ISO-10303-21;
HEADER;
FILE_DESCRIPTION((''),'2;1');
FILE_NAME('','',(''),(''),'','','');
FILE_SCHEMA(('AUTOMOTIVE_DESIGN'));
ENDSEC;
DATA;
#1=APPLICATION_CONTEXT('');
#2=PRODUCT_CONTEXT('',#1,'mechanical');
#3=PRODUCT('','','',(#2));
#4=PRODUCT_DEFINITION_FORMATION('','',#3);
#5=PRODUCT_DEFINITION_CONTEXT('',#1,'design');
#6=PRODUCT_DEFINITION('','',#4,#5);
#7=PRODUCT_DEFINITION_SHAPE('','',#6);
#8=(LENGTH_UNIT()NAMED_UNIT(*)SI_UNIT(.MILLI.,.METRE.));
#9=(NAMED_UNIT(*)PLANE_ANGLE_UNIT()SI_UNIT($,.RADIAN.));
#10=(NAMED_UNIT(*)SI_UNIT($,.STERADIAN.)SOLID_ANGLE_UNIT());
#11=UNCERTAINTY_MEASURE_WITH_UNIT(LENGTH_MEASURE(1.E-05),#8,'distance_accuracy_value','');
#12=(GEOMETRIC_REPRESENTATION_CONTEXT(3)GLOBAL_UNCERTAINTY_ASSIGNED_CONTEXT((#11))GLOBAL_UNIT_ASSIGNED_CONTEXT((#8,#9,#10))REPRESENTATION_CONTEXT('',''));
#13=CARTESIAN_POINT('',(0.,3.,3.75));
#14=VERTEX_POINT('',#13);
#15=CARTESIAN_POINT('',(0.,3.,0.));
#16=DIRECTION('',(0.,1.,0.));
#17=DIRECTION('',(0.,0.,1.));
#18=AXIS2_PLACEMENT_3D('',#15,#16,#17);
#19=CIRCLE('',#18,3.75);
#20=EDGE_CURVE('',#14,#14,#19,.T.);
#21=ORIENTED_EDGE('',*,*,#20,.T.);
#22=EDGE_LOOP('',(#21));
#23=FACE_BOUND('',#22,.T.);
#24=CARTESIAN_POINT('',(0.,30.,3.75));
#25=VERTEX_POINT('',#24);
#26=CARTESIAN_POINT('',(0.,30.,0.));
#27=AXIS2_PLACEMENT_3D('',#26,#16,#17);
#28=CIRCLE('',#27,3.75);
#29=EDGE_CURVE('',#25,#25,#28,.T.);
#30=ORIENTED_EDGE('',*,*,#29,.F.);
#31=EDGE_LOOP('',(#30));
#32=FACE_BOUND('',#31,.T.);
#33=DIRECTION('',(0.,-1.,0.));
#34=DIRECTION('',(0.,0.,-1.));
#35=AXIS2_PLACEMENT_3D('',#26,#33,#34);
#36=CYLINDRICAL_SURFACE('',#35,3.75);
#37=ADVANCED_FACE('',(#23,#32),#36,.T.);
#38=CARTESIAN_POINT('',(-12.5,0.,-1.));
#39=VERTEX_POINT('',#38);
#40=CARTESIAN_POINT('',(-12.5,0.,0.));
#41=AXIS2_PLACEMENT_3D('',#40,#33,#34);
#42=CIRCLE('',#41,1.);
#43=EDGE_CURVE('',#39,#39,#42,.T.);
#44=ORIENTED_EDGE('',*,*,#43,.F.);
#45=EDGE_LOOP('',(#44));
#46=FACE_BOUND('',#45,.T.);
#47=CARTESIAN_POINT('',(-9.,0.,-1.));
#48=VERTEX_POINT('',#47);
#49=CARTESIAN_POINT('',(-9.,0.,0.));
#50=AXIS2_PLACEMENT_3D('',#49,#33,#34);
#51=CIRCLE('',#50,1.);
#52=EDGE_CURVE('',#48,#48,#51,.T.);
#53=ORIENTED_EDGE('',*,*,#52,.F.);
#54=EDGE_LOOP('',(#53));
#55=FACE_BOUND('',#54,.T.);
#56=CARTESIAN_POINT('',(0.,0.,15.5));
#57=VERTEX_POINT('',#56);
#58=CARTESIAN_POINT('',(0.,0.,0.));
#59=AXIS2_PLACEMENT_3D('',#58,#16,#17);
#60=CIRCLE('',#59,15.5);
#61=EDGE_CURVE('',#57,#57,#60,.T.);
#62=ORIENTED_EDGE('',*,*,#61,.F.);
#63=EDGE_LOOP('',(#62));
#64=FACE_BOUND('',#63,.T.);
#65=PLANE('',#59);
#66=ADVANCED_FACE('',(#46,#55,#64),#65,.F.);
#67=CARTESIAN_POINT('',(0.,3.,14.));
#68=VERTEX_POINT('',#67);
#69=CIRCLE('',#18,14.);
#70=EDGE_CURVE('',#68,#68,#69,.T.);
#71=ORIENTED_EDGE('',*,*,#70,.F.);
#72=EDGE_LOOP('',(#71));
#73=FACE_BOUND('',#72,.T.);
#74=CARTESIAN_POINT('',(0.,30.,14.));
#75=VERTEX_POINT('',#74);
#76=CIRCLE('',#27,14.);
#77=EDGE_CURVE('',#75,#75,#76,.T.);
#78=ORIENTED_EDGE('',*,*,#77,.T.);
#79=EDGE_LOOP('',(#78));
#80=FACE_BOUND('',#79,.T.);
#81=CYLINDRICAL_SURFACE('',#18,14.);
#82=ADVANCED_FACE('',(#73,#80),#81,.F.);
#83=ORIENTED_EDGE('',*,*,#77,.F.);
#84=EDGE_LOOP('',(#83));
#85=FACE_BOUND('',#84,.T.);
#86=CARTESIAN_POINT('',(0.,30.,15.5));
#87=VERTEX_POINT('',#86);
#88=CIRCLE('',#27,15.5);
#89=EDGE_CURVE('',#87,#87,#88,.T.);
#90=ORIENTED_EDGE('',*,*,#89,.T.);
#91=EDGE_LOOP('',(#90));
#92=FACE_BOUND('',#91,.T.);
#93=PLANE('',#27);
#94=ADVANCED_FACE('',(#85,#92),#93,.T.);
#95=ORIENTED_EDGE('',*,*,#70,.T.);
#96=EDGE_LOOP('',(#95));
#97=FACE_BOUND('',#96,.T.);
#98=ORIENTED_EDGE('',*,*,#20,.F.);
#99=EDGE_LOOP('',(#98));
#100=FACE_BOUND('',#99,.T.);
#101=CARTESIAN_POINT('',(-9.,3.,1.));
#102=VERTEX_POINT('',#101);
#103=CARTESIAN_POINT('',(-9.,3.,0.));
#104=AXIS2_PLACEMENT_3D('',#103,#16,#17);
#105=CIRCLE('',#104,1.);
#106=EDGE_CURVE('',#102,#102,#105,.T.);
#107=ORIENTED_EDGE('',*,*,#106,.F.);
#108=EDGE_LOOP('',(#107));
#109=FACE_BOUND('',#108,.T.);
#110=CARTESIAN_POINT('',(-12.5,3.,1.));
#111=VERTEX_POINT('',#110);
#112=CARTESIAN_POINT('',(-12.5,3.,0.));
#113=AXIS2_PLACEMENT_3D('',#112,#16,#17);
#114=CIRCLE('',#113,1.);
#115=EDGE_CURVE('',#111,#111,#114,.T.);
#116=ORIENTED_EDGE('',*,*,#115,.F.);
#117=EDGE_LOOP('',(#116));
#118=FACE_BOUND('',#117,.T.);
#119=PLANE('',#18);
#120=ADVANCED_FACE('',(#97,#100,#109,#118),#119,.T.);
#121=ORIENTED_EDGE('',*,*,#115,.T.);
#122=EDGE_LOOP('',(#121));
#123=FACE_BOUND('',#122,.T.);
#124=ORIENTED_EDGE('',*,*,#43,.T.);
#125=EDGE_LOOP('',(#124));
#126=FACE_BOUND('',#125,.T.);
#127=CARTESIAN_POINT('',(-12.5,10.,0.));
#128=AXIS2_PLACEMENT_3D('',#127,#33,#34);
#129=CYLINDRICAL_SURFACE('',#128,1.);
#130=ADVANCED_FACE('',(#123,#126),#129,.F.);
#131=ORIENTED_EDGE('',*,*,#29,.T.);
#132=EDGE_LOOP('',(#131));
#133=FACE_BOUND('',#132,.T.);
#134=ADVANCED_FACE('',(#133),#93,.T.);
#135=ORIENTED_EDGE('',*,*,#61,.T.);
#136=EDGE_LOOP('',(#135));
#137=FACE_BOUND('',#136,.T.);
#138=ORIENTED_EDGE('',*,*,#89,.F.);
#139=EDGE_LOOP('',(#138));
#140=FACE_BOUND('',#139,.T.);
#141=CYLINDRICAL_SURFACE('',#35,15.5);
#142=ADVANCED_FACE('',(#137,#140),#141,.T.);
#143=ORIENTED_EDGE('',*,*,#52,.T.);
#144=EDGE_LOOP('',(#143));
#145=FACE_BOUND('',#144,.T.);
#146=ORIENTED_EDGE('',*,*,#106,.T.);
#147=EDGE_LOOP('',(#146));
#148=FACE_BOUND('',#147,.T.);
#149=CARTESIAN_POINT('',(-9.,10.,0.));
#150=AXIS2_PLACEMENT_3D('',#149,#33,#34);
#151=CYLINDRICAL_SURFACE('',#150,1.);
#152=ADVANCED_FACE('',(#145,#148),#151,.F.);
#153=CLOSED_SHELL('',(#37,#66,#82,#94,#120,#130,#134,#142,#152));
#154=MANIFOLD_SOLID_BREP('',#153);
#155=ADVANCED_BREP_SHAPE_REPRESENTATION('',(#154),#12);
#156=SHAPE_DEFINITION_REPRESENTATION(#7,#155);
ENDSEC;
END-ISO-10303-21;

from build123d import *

# Parameters (mm, degrees)
SKETCH1_R           = 15.5
BOSS_EXTRUDE1_DEPTH = 30
SKETCH2_R           = 14
CUT_EXTRUDE1_DEPTH  = 27
SKETCH3_R           = 1
CUT_EXTRUDE2_DEPTH  = 10
SKETCH4_R           = 3.75
BOSS_EXTRUDE2_DEPTH = 27


with BuildPart() as part:
    # Sketch1 → Boss-Extrude1 (new body)
    with BuildSketch(Plane(origin=(0, 0, 0), x_dir=(1, 0, 0), z_dir=(0, 1, 0))):
        with Locations(Location((0, 0, 0), (0, 0, 270))):
            Circle(SKETCH1_R)
    extrude(amount=BOSS_EXTRUDE1_DEPTH)

    # Sketch2 → Cut-Extrude1 (cut)
    with BuildSketch(Plane(origin=(0, 30, 0), x_dir=(1, 0, 0), z_dir=(0, 1, 0))):
        with Locations(Location((0, 0, 0), (0, 0, 270))):
            Circle(SKETCH2_R)
    extrude(amount=-CUT_EXTRUDE1_DEPTH, mode=Mode.SUBTRACT)

    # Sketch3 → Cut-Extrude2 (cut)
    with BuildSketch(Plane.XZ):
        with Locations(Location((-9, 0, 0), (0, 0, 270))):
            Circle(SKETCH3_R)
        with Locations(Location((-12.5, 0, 0), (0, 0, 270))):
            Circle(SKETCH3_R)
    extrude(amount=-CUT_EXTRUDE2_DEPTH, mode=Mode.SUBTRACT)

    # Sketch4 → Boss-Extrude2 (add)
    with BuildSketch(Plane(origin=(0, 3, 0), x_dir=(1, 0, 0), z_dir=(0, 1, 0))):
        with Locations(Location((0, 0, 0), (0, 0, 270))):
            Circle(SKETCH4_R)
    extrude(amount=BOSS_EXTRUDE2_DEPTH)


solid = part.part
